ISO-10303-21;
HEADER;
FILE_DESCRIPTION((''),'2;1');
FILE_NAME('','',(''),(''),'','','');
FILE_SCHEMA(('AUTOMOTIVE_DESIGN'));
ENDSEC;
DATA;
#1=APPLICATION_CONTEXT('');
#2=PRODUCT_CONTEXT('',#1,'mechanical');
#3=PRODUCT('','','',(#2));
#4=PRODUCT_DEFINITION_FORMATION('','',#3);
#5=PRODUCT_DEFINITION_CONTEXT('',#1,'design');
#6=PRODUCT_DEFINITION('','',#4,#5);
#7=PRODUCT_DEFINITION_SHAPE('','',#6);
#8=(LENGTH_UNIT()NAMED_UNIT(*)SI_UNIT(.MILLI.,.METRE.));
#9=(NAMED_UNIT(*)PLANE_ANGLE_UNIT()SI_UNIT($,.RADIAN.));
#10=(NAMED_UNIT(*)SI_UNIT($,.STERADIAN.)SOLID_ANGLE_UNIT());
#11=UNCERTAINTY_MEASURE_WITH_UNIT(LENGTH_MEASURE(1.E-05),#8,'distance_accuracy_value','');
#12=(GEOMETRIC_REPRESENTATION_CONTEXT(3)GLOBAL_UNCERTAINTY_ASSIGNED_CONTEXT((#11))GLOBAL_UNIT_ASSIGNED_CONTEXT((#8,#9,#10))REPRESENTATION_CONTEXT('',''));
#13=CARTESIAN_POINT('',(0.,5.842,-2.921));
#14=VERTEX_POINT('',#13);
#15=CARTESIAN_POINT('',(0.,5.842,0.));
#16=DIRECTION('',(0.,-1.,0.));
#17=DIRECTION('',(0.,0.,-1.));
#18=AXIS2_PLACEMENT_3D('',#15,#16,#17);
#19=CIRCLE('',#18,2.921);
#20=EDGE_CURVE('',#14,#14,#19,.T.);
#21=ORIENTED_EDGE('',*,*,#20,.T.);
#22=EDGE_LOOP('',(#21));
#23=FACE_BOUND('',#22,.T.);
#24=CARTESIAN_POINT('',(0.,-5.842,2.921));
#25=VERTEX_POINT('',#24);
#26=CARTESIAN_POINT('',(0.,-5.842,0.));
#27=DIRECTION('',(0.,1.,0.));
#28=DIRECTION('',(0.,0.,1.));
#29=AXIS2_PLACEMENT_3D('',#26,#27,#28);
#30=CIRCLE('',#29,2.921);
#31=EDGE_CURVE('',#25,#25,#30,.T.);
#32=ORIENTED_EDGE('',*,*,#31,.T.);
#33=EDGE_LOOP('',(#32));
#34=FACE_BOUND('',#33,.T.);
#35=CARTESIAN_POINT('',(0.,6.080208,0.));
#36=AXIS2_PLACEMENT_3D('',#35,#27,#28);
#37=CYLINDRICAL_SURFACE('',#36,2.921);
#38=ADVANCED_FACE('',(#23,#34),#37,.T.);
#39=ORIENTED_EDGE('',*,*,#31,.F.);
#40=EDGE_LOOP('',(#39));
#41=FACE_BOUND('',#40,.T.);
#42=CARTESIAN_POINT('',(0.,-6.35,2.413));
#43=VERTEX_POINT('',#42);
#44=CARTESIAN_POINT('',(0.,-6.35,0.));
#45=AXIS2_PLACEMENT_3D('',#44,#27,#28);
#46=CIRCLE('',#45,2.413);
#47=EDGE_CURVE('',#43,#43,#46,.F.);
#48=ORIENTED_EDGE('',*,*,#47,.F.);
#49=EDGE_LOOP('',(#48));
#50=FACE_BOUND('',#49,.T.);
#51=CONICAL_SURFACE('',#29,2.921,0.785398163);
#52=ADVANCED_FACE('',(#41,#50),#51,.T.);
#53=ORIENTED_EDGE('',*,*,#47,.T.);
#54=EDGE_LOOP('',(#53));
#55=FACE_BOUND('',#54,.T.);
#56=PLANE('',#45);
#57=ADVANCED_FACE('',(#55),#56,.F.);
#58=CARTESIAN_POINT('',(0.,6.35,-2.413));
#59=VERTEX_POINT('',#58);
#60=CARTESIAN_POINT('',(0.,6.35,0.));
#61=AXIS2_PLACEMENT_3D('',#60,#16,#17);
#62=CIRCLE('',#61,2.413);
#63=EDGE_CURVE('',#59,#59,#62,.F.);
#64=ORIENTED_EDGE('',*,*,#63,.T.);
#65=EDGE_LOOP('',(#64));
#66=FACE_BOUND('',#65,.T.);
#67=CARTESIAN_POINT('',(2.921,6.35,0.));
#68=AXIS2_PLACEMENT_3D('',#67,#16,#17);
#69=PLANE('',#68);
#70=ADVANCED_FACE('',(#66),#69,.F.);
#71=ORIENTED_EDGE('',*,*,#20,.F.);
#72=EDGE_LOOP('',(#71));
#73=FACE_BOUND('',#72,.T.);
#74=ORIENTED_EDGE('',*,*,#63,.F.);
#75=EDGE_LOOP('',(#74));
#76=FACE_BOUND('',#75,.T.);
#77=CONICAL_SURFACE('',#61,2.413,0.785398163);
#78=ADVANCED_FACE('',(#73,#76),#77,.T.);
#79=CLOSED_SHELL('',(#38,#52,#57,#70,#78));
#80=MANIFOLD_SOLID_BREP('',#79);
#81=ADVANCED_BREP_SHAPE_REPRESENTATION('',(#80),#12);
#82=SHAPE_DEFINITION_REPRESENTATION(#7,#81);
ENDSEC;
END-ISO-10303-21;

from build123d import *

# Parameters (mm, degrees)
SKETCH1_W     = 2.921
SKETCH1_H     = 12.7
CHAMFER1_SIZE = 0.508


with BuildPart() as part:
    # Sketch1 → Revolve1 (revolve)
    with BuildSketch(Plane.XY):
        with Locations((1.4605, 0)):
            Rectangle(SKETCH1_W, SKETCH1_H)
    revolve(axis=Axis((0, 6.080207887, 0), (0, -1, 0)))

    # Chamfer1
    chamfer1_edges = [part.edges().sort_by_distance(p)[0] for p in [
        (-2.921, 6.35, 0),
        (-2.921, -6.35, 0),
    ]]
    chamfer(chamfer1_edges, length=CHAMFER1_SIZE)


solid = part.part
